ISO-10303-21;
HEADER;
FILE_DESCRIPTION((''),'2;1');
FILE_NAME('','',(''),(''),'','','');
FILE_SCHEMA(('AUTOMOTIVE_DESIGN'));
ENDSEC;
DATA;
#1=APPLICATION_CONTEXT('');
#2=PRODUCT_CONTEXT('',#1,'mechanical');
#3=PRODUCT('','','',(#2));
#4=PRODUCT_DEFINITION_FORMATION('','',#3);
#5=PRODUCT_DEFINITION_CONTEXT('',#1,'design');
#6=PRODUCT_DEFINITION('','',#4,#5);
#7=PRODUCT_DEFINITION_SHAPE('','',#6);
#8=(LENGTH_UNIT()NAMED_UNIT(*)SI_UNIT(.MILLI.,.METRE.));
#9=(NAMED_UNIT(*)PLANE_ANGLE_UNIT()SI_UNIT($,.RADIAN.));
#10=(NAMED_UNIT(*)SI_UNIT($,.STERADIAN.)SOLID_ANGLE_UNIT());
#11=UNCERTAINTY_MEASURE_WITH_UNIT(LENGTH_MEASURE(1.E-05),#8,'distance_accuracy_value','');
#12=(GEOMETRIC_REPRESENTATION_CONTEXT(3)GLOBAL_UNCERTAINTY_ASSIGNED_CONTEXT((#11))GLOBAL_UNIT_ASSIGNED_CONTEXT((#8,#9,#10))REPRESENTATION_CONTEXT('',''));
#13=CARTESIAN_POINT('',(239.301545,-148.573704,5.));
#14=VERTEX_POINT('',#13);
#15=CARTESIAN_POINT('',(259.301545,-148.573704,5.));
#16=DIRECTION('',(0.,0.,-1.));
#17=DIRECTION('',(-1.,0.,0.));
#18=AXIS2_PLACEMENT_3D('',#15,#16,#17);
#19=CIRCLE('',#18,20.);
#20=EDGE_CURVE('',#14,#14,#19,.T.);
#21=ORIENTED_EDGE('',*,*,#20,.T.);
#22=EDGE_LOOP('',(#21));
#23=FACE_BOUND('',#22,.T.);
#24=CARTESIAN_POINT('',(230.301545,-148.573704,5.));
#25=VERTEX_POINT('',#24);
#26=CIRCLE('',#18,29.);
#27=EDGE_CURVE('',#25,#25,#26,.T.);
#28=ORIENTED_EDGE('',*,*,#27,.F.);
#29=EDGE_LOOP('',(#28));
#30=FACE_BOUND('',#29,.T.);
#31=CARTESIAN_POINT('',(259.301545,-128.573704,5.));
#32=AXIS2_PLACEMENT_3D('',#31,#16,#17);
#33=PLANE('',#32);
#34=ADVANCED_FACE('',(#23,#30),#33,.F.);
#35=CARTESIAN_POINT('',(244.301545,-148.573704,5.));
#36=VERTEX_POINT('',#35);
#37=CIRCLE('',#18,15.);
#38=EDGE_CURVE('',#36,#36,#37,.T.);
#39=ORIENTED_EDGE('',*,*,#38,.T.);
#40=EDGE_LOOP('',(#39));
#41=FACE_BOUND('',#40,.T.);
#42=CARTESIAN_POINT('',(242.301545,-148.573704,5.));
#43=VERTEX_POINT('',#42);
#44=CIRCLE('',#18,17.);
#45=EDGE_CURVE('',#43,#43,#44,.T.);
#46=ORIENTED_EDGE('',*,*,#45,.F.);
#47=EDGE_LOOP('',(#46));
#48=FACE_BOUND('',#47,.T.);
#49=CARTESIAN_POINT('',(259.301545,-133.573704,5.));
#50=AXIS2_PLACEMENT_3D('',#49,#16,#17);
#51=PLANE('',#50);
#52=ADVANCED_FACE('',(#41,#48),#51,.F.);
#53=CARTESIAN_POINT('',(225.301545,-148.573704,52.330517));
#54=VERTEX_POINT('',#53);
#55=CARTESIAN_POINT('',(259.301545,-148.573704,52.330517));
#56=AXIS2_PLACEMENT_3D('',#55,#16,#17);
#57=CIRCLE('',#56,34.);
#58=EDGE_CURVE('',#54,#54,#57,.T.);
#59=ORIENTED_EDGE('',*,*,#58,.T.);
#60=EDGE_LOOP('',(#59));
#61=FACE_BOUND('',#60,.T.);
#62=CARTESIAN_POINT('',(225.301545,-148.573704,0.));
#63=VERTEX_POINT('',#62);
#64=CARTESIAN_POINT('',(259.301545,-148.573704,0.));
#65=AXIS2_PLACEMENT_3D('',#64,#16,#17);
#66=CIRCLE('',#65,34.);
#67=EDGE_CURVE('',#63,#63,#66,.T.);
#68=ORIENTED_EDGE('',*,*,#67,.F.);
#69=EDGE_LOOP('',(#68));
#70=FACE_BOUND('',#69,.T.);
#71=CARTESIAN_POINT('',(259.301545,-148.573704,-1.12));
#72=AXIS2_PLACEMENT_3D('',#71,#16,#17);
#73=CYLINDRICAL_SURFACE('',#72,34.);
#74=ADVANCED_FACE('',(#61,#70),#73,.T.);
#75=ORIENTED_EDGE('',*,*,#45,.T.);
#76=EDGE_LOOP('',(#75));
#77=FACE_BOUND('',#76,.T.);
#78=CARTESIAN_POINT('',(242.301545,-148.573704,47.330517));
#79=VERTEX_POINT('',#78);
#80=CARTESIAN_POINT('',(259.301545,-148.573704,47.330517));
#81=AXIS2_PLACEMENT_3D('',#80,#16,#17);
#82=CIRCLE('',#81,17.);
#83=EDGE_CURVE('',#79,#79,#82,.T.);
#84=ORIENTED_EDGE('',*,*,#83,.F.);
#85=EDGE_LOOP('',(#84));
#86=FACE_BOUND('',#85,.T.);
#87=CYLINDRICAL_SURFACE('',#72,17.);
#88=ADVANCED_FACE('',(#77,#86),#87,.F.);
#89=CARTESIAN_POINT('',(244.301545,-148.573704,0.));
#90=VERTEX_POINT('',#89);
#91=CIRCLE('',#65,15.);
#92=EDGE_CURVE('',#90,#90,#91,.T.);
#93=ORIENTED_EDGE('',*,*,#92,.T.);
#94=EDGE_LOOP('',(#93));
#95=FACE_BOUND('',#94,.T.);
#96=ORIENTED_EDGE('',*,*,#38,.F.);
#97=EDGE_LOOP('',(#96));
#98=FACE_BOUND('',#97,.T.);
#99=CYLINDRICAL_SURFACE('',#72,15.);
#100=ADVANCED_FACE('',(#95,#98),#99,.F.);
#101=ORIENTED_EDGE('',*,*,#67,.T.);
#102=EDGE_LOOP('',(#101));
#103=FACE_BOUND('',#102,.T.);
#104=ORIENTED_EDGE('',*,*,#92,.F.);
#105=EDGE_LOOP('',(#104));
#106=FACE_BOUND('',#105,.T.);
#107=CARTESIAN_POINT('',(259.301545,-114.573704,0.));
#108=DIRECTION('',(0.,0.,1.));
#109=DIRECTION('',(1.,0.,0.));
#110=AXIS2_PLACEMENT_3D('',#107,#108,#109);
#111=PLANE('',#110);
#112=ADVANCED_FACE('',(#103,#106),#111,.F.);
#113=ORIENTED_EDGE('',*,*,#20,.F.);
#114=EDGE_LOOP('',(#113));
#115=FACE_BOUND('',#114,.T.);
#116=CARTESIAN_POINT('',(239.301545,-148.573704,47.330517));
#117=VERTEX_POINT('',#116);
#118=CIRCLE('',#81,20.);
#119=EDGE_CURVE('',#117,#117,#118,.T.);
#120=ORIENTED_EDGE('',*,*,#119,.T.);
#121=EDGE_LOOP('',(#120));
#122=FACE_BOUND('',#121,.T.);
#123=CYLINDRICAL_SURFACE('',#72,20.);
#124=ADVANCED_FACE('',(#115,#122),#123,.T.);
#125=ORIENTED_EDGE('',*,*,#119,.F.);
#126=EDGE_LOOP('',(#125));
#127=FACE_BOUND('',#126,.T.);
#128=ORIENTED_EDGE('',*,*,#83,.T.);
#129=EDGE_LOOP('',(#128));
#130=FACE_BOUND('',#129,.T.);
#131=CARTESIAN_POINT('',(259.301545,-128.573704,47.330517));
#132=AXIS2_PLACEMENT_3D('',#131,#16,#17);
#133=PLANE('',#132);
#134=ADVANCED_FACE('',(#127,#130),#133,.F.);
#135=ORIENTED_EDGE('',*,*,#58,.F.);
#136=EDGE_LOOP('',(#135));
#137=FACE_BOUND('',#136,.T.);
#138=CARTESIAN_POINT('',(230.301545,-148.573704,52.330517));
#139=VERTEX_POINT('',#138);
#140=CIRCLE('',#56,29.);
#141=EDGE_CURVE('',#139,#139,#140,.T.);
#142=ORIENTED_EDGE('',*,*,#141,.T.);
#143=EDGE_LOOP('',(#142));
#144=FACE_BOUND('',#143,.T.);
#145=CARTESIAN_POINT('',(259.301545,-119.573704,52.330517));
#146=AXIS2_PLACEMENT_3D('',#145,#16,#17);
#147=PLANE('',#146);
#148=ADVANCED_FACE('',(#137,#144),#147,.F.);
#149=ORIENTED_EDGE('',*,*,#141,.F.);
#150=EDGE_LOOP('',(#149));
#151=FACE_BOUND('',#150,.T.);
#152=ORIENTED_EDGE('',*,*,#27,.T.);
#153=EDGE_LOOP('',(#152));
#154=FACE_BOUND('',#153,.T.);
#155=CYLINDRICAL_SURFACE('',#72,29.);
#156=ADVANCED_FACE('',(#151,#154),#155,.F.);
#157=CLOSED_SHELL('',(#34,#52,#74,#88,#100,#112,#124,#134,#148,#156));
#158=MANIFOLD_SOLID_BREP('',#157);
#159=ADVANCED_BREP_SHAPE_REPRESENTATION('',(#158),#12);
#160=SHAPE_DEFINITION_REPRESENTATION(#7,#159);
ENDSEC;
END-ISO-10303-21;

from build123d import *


with BuildPart() as part:
    # Sketch2 → Revolve1 (revolve)
    with BuildSketch(Plane.ZY.offset(-259.301545348)):
        Polygon((0, -133.573704322), (5, -133.573704322), (5, -131.573704322), (47.330517131, -131.573704322), (47.330517131, -128.573704322), (5, -128.573704322), (5, -119.573704322), (52.330517131, -119.573704322), (52.330517131, -114.573704322), (0, -114.573704322), align=None)
    revolve(axis=Axis((259.301545348, -148.573704322, -1.12), (0, 0, 1)))


solid = part.part
